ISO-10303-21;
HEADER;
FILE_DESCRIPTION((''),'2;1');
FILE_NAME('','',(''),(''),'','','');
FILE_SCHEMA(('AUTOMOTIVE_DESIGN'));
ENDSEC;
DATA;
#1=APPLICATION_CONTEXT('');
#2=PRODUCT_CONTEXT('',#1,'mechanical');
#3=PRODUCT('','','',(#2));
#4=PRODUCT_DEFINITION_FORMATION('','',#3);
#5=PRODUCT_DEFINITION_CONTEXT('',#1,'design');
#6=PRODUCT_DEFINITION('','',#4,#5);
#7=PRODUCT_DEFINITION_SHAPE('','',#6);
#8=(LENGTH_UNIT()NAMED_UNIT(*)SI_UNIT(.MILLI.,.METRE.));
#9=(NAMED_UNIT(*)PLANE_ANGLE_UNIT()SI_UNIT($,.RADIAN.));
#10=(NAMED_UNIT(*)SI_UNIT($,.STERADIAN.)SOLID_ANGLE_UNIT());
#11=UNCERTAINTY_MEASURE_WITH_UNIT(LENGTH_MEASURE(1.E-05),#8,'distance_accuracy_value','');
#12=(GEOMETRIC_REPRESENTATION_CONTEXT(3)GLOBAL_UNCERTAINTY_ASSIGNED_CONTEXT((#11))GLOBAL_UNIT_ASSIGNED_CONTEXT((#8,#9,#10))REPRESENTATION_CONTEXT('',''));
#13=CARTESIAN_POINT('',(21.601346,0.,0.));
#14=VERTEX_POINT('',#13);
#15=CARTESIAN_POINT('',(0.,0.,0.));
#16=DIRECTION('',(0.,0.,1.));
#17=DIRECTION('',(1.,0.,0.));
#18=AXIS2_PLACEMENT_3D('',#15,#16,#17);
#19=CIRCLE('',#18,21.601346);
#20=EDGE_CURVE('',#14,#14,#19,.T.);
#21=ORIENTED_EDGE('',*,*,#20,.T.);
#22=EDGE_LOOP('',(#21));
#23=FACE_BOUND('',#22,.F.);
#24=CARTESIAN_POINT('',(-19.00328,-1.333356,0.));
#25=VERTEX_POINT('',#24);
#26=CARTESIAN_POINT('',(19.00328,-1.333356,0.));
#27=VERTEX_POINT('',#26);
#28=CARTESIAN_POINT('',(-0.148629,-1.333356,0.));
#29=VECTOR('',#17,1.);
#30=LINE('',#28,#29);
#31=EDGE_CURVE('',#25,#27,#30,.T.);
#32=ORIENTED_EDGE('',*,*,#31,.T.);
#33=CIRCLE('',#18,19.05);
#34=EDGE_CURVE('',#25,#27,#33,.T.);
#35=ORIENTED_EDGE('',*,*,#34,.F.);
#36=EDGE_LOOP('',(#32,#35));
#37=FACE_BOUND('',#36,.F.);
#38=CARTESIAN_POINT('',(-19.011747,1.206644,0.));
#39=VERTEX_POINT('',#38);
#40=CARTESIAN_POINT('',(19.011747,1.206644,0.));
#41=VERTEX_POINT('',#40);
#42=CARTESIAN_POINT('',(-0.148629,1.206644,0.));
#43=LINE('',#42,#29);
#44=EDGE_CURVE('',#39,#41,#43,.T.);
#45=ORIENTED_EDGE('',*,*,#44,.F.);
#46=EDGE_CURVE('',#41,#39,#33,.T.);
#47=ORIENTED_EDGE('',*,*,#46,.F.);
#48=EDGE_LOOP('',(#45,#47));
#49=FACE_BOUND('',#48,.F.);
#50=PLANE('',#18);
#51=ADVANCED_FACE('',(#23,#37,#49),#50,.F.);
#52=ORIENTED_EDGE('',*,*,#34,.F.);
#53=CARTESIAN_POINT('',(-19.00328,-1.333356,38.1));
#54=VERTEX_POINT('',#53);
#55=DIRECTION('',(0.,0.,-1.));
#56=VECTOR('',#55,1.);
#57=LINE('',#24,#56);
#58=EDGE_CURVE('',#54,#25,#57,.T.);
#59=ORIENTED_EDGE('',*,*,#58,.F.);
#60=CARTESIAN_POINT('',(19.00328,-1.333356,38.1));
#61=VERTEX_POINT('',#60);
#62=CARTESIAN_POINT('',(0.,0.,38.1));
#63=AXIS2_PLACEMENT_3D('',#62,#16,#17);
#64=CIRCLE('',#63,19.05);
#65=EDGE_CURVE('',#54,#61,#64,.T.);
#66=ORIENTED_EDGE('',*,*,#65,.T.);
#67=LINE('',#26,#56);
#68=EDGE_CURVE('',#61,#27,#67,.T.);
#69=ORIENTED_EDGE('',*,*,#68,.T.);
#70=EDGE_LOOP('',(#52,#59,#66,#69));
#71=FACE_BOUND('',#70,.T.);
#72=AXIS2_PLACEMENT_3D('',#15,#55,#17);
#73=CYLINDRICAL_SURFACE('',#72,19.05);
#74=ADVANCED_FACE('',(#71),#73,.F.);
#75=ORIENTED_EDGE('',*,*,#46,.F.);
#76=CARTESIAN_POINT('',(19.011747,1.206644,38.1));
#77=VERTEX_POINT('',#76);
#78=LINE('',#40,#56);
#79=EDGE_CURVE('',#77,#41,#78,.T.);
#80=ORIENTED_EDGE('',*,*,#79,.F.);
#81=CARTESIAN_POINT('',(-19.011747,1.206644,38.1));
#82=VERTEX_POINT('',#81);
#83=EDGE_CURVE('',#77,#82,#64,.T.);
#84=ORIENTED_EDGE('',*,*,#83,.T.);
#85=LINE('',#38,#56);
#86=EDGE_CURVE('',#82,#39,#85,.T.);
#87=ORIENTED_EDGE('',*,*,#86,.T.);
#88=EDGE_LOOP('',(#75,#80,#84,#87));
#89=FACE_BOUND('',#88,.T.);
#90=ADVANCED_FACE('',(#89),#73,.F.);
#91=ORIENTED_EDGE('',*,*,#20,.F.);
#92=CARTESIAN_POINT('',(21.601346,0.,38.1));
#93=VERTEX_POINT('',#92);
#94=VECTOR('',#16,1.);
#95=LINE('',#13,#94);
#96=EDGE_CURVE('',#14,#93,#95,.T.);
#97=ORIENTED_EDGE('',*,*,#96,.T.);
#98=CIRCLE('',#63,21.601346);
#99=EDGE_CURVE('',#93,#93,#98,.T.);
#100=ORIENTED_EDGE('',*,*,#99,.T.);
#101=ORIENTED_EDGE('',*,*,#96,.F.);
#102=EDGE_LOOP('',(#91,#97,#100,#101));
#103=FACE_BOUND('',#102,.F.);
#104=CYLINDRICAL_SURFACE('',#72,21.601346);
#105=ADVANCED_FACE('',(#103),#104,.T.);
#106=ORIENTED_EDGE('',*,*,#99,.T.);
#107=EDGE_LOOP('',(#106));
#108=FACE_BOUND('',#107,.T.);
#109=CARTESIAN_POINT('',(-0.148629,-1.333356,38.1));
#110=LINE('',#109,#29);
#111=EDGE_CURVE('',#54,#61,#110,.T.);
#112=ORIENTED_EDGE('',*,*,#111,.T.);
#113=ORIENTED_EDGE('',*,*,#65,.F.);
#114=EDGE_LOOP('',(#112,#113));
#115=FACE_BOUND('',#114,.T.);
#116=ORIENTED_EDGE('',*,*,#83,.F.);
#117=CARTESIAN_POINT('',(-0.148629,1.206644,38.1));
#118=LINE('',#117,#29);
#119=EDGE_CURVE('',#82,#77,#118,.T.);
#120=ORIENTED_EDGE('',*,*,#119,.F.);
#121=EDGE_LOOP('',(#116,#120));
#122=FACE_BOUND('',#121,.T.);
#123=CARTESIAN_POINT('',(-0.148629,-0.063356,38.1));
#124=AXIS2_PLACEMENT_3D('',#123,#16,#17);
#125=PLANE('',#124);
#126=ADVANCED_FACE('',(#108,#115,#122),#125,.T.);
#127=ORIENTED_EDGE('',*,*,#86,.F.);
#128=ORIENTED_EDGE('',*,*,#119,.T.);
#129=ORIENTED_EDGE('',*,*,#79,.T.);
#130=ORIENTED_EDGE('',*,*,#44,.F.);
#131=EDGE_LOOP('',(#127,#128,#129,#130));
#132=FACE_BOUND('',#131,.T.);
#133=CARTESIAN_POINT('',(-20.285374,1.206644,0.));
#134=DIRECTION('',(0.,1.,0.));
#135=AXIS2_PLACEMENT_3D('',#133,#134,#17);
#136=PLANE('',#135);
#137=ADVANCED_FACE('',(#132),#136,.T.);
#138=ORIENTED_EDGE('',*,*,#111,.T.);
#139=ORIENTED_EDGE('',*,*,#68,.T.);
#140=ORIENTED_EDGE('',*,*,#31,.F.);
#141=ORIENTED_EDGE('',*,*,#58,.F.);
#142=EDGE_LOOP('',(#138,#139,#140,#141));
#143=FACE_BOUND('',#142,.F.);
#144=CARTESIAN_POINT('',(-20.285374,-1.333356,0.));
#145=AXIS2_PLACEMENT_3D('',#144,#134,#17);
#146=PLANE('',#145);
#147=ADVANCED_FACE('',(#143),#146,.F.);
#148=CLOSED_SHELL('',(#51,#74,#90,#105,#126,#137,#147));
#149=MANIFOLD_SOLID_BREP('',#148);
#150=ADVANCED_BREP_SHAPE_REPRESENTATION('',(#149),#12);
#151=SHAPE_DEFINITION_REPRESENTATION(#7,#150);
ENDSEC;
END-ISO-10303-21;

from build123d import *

# Parameters (mm, degrees)
F0_R     = 19.05
F0_R_2   = 21.601346
F1_DEPTH = 38.1
F2_DEPTH = 76.2
F3_W     = 40.27349
F3_H     = 2.54
F4_DEPTH = 38.1


with BuildPart() as f1:
    # F0 (on Top) → F1 (new body)
    with BuildSketch(Plane.XY):
        Circle(F0_R)
        Circle(F0_R_2)
        Circle(F0_R, mode=Mode.SUBTRACT)
    extrude(amount=F1_DEPTH)

    # F0 (on Top) → F2 (cut)
    with BuildSketch(Plane.XY):
        Circle(F0_R)
    extrude(amount=F2_DEPTH, mode=Mode.SUBTRACT)

    # F3 (on face) → F4 (join)
    with BuildSketch(Plane.XY):
        with Locations((-0.148629, -0.063356)):
            Rectangle(F3_W, F3_H)
    extrude(amount=F4_DEPTH)


solid = f1.part
